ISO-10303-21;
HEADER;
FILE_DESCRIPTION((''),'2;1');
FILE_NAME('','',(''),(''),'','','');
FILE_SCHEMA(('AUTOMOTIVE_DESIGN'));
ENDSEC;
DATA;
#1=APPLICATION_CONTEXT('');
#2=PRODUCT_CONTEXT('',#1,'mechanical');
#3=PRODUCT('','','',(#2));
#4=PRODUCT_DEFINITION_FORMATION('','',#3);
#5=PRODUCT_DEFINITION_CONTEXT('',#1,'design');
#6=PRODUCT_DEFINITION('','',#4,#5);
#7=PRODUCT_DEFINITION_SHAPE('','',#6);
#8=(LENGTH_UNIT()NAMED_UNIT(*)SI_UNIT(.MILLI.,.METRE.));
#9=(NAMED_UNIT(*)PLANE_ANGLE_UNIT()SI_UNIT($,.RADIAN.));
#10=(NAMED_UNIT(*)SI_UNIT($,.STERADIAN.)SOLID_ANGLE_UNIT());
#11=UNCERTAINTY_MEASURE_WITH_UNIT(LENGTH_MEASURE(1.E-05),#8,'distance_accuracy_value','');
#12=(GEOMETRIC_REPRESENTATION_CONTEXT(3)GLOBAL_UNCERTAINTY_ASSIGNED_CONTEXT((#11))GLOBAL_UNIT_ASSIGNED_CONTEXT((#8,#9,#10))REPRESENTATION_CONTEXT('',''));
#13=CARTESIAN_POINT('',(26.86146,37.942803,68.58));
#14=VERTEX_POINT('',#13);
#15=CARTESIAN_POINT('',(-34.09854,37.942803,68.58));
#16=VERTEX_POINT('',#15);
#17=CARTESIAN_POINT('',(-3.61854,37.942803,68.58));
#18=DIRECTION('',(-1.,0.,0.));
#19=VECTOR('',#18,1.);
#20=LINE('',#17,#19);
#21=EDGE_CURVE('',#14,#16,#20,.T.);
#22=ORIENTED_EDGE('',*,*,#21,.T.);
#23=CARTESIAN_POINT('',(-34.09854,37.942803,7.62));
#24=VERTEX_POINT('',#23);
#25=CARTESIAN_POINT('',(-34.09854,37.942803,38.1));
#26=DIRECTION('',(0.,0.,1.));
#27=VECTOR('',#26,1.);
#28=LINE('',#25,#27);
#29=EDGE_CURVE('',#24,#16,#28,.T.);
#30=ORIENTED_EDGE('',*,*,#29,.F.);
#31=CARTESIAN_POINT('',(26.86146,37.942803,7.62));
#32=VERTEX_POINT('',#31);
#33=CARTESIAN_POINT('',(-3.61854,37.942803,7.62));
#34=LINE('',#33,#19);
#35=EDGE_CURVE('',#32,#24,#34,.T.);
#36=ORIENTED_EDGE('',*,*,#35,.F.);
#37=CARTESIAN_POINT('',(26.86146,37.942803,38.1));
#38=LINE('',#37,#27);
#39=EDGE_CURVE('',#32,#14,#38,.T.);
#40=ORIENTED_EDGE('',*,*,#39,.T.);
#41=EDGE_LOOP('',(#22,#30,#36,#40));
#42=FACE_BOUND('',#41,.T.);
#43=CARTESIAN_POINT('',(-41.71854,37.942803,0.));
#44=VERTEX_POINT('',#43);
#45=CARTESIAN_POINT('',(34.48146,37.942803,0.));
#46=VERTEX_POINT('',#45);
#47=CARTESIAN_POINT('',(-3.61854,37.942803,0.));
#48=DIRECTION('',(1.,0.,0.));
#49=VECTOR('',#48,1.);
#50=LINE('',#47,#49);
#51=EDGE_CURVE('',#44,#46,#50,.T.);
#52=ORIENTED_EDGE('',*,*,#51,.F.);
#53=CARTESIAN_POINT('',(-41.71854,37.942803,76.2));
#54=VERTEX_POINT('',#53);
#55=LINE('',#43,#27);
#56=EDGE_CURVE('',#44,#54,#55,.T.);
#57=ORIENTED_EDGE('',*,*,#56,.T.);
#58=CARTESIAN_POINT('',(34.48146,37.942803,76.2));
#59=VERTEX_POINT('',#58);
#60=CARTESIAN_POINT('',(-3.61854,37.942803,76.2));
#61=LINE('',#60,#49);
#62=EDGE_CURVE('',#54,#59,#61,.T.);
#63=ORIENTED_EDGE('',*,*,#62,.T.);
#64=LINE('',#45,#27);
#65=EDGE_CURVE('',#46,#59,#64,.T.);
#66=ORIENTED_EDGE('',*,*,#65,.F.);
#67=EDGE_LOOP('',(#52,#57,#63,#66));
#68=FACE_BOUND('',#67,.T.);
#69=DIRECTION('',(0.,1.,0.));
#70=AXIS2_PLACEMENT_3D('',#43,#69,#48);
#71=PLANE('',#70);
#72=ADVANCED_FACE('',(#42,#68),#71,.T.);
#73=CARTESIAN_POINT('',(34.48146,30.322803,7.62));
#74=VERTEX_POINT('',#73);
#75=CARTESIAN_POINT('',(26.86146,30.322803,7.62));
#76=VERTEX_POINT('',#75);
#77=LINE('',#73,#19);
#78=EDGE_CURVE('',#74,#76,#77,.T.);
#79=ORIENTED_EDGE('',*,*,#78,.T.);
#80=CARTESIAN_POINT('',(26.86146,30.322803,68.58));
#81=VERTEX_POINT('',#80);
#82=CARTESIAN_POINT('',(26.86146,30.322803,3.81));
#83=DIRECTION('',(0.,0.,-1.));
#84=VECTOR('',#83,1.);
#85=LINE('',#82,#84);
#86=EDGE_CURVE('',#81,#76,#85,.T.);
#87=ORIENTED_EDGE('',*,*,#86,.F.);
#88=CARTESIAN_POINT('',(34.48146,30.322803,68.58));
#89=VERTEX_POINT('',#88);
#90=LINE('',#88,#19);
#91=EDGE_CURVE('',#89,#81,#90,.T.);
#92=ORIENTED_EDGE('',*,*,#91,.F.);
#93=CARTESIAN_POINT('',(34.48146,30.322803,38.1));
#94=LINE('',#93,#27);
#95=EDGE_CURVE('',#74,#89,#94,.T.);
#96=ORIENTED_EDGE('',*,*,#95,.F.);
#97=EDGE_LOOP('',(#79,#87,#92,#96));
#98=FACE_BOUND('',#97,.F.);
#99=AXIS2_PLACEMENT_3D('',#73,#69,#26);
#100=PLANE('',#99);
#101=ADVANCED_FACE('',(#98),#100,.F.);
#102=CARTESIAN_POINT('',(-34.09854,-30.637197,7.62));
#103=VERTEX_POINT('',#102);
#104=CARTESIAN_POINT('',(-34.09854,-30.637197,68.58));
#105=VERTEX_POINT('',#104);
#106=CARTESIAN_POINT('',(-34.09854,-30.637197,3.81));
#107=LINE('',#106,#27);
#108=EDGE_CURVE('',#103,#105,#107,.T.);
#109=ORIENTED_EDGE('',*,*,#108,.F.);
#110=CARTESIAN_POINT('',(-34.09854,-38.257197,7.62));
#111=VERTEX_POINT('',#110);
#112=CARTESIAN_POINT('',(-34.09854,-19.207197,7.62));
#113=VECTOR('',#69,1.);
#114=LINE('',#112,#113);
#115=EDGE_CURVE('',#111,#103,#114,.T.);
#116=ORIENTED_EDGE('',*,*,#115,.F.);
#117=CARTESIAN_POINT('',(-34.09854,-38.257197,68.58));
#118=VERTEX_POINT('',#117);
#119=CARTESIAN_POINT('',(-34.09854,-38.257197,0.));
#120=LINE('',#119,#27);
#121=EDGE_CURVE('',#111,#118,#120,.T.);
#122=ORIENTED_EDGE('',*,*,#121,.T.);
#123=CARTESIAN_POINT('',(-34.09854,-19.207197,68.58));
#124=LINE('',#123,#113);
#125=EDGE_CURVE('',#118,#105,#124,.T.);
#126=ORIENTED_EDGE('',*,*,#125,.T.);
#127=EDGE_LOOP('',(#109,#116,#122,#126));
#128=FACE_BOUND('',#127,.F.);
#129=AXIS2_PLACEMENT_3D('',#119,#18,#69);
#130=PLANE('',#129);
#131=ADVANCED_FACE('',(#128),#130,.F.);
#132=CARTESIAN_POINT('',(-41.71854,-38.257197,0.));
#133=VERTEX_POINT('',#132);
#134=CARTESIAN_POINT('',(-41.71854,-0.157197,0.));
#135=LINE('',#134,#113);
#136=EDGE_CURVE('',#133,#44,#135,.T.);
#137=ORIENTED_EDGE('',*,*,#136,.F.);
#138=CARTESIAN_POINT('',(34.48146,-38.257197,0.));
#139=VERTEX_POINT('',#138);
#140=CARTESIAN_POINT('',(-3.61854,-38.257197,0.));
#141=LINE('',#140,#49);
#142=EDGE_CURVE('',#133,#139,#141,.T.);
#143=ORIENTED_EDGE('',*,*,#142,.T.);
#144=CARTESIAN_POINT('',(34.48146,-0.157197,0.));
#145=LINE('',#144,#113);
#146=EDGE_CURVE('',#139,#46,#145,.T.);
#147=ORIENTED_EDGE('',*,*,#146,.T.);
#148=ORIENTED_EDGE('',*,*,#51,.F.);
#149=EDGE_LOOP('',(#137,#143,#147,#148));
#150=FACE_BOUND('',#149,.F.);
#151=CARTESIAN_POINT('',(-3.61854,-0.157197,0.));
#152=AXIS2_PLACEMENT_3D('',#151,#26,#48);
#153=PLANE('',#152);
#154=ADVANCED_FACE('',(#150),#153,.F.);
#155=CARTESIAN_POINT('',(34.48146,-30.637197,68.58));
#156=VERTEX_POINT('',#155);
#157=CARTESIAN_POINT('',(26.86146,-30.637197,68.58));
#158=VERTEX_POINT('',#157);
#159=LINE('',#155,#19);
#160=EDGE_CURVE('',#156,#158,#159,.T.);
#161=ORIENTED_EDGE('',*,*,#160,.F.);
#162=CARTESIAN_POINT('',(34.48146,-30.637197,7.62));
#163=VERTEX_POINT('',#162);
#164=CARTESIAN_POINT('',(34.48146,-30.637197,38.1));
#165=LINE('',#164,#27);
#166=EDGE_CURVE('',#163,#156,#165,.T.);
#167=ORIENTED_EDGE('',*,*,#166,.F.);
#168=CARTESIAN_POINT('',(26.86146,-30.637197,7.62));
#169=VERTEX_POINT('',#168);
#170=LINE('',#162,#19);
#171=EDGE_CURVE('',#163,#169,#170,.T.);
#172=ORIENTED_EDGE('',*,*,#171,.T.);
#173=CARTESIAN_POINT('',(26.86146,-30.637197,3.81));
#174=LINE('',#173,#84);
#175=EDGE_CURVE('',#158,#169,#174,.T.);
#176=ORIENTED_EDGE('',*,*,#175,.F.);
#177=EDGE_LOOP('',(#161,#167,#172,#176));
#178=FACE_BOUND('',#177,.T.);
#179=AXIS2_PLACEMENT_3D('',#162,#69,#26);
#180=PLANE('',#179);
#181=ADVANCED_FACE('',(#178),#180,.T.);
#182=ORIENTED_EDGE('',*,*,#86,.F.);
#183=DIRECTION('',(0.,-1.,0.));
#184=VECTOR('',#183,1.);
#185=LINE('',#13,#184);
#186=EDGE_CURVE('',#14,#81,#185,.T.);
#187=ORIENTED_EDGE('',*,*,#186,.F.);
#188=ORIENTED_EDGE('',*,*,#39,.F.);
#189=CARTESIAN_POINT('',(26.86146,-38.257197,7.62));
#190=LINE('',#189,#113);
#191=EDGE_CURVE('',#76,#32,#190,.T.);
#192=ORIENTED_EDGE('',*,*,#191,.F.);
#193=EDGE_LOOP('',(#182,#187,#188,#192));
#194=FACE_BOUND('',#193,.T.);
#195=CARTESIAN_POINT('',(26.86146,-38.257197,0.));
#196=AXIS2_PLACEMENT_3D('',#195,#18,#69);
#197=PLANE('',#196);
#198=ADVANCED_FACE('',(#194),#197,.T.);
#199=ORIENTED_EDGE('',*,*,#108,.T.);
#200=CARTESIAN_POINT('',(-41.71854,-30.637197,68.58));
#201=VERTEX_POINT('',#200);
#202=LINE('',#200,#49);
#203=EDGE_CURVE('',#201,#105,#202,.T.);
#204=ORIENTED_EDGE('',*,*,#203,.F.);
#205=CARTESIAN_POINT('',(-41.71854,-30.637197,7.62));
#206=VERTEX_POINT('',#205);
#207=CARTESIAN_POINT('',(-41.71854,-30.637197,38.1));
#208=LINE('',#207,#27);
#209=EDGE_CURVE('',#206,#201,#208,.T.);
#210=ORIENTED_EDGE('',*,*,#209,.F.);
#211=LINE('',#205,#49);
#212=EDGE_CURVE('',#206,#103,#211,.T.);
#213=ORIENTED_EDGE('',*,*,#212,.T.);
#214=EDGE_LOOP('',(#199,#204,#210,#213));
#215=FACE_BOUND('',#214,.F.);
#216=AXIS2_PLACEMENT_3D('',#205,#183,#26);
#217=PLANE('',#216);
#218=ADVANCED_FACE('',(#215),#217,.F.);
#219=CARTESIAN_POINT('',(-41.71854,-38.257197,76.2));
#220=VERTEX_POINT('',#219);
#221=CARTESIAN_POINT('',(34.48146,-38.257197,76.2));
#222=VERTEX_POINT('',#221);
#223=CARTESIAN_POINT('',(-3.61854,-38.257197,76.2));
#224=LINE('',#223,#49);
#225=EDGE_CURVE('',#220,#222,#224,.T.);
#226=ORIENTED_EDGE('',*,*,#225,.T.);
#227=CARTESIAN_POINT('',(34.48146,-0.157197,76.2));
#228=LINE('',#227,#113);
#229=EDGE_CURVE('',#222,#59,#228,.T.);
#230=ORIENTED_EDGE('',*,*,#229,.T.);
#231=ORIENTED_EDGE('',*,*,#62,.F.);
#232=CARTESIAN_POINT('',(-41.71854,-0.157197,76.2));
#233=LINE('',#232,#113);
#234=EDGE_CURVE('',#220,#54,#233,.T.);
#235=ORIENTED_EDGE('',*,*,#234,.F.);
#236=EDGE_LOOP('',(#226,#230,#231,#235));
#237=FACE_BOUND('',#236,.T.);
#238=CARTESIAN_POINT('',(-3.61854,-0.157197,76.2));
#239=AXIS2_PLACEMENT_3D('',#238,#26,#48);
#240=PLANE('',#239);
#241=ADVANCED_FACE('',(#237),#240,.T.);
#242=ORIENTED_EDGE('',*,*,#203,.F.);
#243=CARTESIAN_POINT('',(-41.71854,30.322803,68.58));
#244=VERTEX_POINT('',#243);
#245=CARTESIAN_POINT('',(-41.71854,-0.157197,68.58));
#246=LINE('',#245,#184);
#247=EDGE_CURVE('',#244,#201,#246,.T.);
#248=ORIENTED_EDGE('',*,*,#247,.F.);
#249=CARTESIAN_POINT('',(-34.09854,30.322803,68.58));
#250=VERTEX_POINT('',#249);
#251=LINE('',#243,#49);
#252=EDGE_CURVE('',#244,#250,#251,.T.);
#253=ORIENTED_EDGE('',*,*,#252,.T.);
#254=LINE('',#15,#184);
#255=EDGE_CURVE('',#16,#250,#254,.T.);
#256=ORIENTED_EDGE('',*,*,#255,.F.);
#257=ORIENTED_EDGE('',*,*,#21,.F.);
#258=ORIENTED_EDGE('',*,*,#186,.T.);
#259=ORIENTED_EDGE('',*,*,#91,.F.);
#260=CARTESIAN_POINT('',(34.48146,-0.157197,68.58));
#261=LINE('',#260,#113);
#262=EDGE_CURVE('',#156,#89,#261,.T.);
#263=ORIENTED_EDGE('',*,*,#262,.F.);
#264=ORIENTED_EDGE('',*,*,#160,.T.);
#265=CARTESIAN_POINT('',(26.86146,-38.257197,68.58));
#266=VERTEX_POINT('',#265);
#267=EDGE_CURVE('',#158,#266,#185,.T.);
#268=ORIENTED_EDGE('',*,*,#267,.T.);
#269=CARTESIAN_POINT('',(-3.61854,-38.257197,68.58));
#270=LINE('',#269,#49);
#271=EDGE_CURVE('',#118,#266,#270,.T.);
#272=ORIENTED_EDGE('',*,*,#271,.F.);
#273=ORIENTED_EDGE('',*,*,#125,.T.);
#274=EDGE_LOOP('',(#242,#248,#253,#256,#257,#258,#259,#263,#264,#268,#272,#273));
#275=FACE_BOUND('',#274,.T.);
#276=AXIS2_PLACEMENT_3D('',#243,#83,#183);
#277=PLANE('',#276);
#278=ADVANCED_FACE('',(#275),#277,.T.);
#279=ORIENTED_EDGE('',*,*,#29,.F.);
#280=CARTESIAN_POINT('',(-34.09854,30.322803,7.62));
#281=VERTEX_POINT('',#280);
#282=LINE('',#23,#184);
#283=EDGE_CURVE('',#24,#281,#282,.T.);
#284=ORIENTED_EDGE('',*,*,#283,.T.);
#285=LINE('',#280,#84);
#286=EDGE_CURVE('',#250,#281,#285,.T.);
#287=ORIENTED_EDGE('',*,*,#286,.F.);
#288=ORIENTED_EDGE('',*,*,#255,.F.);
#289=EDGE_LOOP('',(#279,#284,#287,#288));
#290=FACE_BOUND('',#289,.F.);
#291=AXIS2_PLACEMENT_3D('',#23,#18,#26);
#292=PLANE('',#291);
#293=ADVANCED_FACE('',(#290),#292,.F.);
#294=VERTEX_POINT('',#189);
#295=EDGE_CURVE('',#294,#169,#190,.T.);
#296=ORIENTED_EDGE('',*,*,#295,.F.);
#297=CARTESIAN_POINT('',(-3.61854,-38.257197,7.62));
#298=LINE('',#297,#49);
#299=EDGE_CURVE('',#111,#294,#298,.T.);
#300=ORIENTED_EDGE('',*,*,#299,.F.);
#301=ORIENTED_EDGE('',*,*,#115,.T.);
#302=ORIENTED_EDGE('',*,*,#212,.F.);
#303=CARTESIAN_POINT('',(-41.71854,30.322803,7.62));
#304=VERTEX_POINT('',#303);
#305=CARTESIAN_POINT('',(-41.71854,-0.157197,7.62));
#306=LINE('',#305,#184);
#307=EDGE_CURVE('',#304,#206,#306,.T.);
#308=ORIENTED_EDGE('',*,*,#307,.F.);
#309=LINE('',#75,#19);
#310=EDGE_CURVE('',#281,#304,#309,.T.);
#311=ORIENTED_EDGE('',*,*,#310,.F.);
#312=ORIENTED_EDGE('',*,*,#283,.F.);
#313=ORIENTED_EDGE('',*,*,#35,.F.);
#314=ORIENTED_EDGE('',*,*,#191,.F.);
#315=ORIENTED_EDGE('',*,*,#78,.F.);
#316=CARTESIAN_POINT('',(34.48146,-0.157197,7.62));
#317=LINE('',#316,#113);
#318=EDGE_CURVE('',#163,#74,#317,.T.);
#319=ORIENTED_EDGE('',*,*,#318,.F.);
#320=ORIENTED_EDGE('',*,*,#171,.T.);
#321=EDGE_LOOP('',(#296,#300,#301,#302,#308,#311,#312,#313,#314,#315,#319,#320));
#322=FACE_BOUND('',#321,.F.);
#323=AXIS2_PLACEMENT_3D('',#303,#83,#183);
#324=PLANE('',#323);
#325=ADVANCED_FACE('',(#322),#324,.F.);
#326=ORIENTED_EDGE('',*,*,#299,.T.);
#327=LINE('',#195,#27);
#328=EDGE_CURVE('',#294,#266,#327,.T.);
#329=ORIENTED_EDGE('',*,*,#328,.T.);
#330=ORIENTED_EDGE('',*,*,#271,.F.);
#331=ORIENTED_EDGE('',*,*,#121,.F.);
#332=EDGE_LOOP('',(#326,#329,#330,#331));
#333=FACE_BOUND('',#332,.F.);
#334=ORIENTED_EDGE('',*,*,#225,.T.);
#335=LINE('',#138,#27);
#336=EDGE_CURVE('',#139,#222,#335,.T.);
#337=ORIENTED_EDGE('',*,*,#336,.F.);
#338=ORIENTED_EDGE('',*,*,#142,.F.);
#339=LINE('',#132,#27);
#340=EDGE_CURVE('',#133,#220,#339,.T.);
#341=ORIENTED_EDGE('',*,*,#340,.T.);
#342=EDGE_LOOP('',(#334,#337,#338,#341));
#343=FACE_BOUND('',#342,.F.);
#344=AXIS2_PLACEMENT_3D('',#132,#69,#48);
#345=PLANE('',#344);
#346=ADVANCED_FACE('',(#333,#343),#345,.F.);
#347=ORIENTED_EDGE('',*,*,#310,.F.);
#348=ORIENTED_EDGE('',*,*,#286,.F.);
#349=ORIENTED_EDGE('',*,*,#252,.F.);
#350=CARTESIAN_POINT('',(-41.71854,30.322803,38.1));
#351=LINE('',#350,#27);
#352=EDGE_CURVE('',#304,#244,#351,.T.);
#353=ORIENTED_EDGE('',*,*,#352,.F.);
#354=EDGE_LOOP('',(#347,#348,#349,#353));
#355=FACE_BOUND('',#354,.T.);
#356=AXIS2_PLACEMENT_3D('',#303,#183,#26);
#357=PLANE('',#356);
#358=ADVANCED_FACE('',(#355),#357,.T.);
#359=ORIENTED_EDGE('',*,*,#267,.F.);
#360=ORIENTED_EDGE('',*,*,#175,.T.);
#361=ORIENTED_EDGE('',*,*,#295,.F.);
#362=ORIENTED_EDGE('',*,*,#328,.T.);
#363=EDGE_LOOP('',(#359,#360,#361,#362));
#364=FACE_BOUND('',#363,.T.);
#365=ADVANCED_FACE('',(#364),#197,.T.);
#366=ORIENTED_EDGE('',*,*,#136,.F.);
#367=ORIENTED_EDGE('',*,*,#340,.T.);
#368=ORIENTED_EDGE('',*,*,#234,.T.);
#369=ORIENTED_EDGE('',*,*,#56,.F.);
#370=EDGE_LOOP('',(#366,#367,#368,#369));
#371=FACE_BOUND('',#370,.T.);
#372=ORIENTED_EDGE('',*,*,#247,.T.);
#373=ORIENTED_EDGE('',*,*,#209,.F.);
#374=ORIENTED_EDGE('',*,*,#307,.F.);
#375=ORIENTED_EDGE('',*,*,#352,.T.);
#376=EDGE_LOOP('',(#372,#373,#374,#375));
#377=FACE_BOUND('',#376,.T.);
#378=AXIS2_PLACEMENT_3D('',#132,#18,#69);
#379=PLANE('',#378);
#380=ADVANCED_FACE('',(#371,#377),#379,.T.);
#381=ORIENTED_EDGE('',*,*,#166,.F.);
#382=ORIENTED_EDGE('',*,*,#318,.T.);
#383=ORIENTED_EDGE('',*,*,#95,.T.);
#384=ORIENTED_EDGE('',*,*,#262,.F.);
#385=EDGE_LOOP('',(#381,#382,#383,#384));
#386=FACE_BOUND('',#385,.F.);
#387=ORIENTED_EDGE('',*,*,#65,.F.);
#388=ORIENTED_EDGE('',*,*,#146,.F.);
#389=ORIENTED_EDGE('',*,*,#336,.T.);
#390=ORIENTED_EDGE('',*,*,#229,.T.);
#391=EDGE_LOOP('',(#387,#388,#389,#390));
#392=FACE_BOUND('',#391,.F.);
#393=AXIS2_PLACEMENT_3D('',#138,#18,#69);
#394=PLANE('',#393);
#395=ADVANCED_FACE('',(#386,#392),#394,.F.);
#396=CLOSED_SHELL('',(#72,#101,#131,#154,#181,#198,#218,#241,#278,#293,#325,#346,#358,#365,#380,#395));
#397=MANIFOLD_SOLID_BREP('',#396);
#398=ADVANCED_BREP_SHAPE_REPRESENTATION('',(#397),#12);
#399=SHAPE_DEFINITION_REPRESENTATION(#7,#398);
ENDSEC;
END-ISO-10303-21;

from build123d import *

# Parameters (mm, degrees)
F0_W     = 76.2
F0_H     = 76.2
F1_DEPTH = 76.2
F2_T     = -7.62
F3_W     = 60.96
F3_H     = 60.96
F4_DEPTH = 25.4
F5_W     = 60.96
F5_H     = 60.96
F6_DEPTH = 25.4
F7_W     = 60.96
F7_H     = 60.96
F8_DEPTH = 25.4


with BuildPart() as f1:
    # F0 (on Top) → F1 (new body)
    with BuildSketch(Plane.XY):
        with Locations((-3.61854, -0.157197)):
            Rectangle(F0_W, F0_H)
    extrude(amount=F1_DEPTH)

    # F2
    f2_openings = [f1.faces().sort_by_distance(p)[0] for p in [
        (-3.61854, -38.257197, 38.1),
    ]]
    offset(amount=F2_T, openings=f2_openings)

    # F3 (on face) → F4 (cut)
    with BuildSketch(Plane(origin=(-41.71854, 0, 0), x_dir=(0, -1, 0), z_dir=(-1, 0, 0))):
        with Locations((0.157197, 38.1)):
            Rectangle(F3_W, F3_H)
    extrude(amount=-F4_DEPTH, mode=Mode.SUBTRACT)

    # F5 (on face) → F6 (cut)
    with BuildSketch(Plane(origin=(0, 37.942803, 0), x_dir=(-1, 0, 0), z_dir=(0, 1, 0))):
        with Locations((3.61854, 38.1)):
            Rectangle(F5_W, F5_H)
    extrude(amount=-F6_DEPTH, mode=Mode.SUBTRACT)

    # F7 (on face) → F8 (cut)
    with BuildSketch(Plane.YZ.offset(34.48146)):
        with Locations((-0.157197, 38.1)):
            Rectangle(F7_W, F7_H)
    extrude(amount=-F8_DEPTH, mode=Mode.SUBTRACT)


solid = f1.part
